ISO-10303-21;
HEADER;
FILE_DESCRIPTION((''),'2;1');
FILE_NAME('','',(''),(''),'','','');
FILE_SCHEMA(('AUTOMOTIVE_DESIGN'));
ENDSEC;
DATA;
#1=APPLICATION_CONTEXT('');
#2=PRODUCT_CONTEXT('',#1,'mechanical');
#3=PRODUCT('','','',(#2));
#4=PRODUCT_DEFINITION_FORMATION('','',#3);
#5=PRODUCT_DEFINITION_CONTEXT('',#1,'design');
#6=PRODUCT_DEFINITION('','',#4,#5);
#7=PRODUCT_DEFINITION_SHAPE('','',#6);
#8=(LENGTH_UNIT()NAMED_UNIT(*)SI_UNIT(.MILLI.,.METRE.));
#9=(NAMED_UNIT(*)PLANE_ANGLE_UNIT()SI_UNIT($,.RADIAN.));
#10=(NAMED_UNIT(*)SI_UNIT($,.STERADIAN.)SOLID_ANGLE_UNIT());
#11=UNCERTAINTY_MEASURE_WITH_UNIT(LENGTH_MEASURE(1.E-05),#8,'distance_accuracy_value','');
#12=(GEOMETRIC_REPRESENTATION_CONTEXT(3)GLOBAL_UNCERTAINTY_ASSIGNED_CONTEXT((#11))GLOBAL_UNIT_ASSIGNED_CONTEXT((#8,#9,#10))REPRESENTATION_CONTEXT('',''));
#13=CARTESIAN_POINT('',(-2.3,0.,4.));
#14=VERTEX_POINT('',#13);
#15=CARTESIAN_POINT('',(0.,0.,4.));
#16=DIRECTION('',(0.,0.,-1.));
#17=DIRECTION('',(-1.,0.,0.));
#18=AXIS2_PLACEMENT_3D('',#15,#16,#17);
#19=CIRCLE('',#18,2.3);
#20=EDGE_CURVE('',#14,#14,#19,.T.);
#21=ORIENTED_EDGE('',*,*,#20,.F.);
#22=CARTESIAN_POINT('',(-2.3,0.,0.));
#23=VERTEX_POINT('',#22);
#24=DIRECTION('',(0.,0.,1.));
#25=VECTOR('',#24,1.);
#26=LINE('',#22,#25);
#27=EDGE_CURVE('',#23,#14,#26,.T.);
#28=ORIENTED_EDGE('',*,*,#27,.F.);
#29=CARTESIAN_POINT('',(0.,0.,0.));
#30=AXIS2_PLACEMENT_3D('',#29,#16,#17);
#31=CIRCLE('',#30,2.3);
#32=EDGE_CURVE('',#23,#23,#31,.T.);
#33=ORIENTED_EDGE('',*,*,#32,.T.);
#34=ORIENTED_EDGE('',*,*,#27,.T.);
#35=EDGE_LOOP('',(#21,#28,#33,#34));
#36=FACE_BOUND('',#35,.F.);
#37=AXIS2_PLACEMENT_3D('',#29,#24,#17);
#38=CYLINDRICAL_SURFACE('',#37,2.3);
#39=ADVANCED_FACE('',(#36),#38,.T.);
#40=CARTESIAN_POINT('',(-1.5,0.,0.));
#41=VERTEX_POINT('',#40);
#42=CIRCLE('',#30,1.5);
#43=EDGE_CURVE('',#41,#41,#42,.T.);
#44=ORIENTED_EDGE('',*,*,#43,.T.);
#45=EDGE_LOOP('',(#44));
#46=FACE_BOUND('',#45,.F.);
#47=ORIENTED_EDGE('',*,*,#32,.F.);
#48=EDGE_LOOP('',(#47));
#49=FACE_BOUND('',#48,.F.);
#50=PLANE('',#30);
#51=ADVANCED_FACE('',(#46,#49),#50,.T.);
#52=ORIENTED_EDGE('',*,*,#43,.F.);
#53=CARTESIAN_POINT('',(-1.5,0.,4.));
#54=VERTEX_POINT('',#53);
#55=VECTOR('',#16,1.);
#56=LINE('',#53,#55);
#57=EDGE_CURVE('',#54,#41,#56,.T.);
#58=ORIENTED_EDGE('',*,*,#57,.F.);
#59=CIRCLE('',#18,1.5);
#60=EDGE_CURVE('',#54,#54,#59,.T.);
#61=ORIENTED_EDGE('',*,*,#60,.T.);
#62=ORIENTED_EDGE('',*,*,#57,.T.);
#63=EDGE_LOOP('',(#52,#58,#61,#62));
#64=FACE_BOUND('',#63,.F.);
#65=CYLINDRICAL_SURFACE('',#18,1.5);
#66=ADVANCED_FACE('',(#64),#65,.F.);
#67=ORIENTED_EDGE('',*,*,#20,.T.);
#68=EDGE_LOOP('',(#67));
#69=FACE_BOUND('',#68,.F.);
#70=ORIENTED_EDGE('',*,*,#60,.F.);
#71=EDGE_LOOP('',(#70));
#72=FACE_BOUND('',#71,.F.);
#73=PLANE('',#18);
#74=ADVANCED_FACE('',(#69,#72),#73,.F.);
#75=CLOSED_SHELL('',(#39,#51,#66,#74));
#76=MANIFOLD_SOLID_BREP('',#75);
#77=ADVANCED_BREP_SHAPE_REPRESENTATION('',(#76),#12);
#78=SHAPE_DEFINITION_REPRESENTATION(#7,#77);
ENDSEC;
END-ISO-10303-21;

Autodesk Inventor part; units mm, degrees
ref_plane "YZ Plane" through (0, 0, 0) normal (1, 0, 0) x (0, 1, 0)
ref_plane "XZ Plane" through (0, 0, 0) normal (0, 1, 0) x (-1, 0, 0)
ref_plane "XY Plane" through (0, 0, 0) normal (0, 0, 1) x (1, 0, 0)
sketch "スケッチ1" plane through (0, 0, 0) normal (0, 1, 0) x (-1, 0, 0)
  line L0 (0, 4) -> (0, 0) construction
  line L1 (1.5, 4) -> (1.5, 0)
  line L2 (1.5, 0) -> (2.3, 0)
  line L3 (2.3, 0) -> (2.3, 4)
  line L4 (2.3, 4) -> (1.5, 4)
  dimension "d1" = 4
  dimension "d6" = 3
  dimension "d7" = 4.6
revolve "回転1" add sketch "スケッチ1" angle 360 about axis through (0, 0, 4) along (0, 0, -1)
thread "ねじ1" size "M3x0.5" class "6H" standard "ANSI Metric M Profile" full length
properties part number "UD-43040" material "真鍮"
